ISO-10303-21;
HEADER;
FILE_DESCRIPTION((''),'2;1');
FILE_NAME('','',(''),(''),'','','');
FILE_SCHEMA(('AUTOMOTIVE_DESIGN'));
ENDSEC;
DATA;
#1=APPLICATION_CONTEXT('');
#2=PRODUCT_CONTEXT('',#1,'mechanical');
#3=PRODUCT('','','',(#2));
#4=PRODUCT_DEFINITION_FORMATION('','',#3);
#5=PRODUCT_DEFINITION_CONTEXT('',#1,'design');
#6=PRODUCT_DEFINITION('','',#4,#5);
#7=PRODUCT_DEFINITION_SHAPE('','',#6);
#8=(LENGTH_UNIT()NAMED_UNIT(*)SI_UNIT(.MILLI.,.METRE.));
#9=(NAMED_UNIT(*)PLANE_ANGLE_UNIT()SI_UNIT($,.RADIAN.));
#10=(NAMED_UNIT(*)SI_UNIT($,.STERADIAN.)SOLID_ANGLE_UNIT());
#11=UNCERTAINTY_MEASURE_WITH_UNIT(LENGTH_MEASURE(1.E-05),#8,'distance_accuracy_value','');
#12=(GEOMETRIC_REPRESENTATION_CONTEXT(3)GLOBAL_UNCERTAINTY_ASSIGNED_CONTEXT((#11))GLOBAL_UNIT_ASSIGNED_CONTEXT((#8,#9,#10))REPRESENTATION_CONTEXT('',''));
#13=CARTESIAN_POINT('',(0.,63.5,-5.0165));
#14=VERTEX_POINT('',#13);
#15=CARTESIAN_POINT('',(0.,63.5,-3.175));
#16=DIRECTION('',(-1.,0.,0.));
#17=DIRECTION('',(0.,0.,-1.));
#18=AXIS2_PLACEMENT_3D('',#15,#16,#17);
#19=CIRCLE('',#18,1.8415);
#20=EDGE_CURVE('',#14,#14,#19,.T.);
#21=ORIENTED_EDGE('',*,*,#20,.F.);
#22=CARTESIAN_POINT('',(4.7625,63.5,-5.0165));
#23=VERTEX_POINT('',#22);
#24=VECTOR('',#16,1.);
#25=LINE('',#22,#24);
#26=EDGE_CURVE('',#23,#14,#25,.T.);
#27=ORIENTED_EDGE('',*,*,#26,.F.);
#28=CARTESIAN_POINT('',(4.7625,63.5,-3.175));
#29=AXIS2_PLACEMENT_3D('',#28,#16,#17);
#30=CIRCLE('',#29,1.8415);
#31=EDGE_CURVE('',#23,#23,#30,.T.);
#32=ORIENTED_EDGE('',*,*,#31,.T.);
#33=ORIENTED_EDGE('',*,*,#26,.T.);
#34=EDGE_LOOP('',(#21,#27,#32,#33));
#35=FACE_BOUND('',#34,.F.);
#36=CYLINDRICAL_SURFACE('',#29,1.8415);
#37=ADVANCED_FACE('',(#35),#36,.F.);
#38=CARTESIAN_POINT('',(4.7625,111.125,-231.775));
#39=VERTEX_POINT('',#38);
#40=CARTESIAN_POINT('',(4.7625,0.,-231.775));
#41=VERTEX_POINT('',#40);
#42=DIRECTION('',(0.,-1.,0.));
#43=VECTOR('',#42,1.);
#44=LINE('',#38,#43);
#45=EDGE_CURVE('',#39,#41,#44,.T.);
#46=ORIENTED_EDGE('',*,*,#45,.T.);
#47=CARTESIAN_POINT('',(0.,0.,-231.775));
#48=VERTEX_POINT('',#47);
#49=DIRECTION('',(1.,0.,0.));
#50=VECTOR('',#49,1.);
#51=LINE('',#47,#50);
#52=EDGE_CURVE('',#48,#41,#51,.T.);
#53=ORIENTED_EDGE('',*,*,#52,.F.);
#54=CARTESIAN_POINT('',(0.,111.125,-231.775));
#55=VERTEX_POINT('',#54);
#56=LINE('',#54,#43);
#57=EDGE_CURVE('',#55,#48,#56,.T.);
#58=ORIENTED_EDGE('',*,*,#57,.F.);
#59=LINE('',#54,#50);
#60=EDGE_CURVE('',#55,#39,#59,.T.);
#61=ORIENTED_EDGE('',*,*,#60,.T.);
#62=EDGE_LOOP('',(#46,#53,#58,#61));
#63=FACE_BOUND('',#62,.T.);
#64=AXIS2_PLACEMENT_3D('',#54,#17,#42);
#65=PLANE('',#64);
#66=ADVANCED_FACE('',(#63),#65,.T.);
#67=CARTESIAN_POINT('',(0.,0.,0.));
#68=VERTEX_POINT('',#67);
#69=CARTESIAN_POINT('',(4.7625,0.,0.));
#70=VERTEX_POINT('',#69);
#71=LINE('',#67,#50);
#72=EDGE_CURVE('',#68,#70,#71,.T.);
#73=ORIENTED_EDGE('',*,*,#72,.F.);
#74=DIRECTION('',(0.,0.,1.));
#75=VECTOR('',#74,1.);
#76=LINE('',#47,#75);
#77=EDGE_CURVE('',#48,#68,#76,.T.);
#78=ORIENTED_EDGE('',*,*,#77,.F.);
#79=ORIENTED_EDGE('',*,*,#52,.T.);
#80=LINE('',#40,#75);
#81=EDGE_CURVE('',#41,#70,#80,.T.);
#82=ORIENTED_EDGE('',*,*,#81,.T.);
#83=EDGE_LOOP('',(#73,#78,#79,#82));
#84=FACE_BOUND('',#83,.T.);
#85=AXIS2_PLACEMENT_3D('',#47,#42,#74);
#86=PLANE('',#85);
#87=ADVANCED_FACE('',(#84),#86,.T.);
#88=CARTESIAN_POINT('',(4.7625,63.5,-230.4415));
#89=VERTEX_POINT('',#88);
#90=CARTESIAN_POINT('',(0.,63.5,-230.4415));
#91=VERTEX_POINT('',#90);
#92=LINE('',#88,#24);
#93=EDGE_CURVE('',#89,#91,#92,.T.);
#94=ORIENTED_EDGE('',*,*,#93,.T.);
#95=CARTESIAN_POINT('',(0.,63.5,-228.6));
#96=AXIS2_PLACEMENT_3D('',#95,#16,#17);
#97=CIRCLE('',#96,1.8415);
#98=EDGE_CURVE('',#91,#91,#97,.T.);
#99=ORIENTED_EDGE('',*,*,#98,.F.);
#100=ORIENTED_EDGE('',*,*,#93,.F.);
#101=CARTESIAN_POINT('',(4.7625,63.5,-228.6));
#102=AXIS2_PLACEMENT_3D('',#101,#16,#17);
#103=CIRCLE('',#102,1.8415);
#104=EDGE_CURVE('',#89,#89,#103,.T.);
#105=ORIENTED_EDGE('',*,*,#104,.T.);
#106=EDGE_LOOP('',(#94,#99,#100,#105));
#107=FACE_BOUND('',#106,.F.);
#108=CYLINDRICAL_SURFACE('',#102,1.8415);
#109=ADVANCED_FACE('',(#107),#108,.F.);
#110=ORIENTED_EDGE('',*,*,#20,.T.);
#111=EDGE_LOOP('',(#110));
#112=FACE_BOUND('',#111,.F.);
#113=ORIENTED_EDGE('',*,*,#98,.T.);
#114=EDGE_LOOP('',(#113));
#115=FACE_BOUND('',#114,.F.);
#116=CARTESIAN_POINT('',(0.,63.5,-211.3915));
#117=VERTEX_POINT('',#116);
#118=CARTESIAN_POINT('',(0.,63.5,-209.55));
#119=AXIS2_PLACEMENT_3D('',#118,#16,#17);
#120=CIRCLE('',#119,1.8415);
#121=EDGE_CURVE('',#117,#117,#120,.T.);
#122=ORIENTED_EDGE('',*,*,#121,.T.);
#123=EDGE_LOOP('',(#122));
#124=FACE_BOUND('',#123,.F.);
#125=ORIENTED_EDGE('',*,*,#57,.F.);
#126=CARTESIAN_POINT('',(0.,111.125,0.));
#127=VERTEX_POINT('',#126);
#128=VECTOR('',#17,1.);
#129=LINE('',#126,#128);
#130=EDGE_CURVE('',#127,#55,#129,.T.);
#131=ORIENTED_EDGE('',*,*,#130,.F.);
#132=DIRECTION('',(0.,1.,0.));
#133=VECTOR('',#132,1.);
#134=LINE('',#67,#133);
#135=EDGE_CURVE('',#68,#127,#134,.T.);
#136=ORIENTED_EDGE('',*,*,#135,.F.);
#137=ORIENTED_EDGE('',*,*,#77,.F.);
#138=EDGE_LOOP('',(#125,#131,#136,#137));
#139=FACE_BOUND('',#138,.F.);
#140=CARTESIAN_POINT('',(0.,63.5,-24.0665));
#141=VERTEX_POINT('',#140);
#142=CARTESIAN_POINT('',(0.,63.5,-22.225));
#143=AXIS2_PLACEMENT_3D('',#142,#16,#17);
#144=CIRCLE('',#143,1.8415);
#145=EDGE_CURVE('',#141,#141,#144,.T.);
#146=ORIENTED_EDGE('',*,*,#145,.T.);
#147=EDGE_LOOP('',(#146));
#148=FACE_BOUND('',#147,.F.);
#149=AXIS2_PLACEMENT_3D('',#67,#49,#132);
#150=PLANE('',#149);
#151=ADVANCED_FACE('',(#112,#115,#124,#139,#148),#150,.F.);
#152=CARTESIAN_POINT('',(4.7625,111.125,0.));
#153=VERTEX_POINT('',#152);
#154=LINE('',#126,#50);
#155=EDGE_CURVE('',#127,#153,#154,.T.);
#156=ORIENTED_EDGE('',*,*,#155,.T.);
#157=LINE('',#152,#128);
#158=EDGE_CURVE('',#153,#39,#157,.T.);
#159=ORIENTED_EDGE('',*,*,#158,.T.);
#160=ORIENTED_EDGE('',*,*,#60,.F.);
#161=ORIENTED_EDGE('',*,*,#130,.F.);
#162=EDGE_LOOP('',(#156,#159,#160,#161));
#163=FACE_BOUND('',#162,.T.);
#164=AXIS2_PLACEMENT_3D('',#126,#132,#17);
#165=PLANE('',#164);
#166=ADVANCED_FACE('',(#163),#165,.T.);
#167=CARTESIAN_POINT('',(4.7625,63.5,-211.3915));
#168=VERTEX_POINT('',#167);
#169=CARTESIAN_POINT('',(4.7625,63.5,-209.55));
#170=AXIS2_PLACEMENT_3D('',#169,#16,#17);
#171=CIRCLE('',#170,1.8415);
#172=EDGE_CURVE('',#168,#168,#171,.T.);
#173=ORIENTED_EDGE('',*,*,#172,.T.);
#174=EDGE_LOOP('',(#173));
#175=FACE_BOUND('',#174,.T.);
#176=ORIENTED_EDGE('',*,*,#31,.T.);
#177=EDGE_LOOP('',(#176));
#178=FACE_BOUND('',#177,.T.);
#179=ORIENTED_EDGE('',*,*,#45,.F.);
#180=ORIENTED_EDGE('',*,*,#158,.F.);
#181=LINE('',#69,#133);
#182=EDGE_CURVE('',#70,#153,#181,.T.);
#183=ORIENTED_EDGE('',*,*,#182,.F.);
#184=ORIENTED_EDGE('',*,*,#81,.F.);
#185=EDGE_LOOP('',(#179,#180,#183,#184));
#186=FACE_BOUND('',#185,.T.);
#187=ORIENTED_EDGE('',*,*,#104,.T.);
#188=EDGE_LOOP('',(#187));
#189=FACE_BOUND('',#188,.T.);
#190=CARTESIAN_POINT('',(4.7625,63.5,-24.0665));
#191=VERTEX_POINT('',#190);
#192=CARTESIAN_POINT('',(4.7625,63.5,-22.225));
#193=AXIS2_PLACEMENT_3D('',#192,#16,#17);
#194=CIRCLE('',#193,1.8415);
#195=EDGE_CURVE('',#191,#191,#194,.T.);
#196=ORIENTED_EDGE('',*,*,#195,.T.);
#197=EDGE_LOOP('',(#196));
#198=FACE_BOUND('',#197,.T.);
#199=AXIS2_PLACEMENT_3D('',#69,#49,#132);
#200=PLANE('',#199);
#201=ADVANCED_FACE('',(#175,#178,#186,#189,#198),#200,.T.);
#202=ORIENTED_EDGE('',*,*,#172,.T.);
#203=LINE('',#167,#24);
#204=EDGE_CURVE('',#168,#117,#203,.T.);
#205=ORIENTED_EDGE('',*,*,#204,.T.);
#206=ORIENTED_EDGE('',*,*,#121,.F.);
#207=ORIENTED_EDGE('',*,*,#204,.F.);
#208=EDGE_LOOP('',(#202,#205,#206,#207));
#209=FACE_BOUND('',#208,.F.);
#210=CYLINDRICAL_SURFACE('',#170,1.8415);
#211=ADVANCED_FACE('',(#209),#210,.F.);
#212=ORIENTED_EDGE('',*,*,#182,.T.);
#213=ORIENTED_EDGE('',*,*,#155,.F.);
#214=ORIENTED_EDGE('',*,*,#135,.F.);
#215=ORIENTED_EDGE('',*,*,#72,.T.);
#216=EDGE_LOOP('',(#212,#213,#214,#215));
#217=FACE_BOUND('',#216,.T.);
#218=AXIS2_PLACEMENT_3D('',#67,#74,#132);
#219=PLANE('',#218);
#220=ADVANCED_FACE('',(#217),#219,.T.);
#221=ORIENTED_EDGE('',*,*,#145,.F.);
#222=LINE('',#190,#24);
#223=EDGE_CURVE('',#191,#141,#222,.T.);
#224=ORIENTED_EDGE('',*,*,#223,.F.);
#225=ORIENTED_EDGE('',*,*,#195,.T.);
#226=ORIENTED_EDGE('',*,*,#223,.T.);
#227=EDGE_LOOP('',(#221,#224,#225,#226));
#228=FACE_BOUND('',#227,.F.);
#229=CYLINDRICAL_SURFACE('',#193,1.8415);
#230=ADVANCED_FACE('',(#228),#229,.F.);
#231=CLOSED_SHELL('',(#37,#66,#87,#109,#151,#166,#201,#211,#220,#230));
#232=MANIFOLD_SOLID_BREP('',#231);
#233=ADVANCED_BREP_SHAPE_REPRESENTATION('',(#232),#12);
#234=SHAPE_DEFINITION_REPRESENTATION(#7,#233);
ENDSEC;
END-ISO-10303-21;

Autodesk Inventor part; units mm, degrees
ref_plane "YZ Plane" through (0, 0, 0) normal (1, 0, 0) x (0, 1, 0)
ref_plane "XZ Plane" through (0, 0, 0) normal (0, 1, 0) x (-1, 0, 0)
sketch "Sketch1" plane through (0, 0, 0) normal (1, 0, 0) x (0, 1, 0)
  line L0 (0, 0) -> (111.125, 0)
  line L1 (111.125, 0) -> (111.125, -231.775)
  line L2 (111.125, -231.775) -> (0, -231.775)
  line L3 (0, -231.775) -> (0, 0)
  dimension "d0" = 111.125
  dimension "d1" = 231.775
extrude "Extrusion1" add sketch "Sketch1" along normal blind 4.7625
sketch "Sketch2" plane through (4.7625, 0, 0) normal (1, 0, 0) x (0, 0, -1)
  line L0 (0, 111.125) -> (0, 0) projected
  line L1 (0, 0) -> (231.775, 0) projected
  line L2 (231.775, 0) -> (231.775, 111.125) projected
  line L3 (231.775, 111.125) -> (0, 111.125) projected
  point P0 (3.175, 63.5)
  point P1 (22.225, 63.5)
  point P2 (209.55, 63.5)
  point P3 (228.6, 63.5)
  dimension "d4" = 63.5
  dimension "d5" = 63.5
  dimension "d6" = 63.5
  dimension "d7" = 63.5
  dimension "d8" = 3.175
  dimension "d9" = 19.05
  dimension "d10" = 19.05
  dimension "d11" = 3.175
hole "Hole1" at (4.7625, 63.5, -3.175) at (4.7625, 63.5, -22.225) at (4.7625, 63.5, -209.55) at (4.7625, 63.5, -228.6) direction (-1, 0, 0) diameter 3.683 depth 25.4 tip angle 118
ref_plane "Work Plane1" through (0, 0, -115.8875) normal (0, 0, 1) x (1, 0, 0)
equation "\"d5\" = d4"
equation "\"d6\" = d4"
equation "\"d7\" = d4"
equation "\"d10\" = d9"
equation "\"d11\" = d8"
properties part number "SuspensionDrivePlate" material "Aluminum 6061"
